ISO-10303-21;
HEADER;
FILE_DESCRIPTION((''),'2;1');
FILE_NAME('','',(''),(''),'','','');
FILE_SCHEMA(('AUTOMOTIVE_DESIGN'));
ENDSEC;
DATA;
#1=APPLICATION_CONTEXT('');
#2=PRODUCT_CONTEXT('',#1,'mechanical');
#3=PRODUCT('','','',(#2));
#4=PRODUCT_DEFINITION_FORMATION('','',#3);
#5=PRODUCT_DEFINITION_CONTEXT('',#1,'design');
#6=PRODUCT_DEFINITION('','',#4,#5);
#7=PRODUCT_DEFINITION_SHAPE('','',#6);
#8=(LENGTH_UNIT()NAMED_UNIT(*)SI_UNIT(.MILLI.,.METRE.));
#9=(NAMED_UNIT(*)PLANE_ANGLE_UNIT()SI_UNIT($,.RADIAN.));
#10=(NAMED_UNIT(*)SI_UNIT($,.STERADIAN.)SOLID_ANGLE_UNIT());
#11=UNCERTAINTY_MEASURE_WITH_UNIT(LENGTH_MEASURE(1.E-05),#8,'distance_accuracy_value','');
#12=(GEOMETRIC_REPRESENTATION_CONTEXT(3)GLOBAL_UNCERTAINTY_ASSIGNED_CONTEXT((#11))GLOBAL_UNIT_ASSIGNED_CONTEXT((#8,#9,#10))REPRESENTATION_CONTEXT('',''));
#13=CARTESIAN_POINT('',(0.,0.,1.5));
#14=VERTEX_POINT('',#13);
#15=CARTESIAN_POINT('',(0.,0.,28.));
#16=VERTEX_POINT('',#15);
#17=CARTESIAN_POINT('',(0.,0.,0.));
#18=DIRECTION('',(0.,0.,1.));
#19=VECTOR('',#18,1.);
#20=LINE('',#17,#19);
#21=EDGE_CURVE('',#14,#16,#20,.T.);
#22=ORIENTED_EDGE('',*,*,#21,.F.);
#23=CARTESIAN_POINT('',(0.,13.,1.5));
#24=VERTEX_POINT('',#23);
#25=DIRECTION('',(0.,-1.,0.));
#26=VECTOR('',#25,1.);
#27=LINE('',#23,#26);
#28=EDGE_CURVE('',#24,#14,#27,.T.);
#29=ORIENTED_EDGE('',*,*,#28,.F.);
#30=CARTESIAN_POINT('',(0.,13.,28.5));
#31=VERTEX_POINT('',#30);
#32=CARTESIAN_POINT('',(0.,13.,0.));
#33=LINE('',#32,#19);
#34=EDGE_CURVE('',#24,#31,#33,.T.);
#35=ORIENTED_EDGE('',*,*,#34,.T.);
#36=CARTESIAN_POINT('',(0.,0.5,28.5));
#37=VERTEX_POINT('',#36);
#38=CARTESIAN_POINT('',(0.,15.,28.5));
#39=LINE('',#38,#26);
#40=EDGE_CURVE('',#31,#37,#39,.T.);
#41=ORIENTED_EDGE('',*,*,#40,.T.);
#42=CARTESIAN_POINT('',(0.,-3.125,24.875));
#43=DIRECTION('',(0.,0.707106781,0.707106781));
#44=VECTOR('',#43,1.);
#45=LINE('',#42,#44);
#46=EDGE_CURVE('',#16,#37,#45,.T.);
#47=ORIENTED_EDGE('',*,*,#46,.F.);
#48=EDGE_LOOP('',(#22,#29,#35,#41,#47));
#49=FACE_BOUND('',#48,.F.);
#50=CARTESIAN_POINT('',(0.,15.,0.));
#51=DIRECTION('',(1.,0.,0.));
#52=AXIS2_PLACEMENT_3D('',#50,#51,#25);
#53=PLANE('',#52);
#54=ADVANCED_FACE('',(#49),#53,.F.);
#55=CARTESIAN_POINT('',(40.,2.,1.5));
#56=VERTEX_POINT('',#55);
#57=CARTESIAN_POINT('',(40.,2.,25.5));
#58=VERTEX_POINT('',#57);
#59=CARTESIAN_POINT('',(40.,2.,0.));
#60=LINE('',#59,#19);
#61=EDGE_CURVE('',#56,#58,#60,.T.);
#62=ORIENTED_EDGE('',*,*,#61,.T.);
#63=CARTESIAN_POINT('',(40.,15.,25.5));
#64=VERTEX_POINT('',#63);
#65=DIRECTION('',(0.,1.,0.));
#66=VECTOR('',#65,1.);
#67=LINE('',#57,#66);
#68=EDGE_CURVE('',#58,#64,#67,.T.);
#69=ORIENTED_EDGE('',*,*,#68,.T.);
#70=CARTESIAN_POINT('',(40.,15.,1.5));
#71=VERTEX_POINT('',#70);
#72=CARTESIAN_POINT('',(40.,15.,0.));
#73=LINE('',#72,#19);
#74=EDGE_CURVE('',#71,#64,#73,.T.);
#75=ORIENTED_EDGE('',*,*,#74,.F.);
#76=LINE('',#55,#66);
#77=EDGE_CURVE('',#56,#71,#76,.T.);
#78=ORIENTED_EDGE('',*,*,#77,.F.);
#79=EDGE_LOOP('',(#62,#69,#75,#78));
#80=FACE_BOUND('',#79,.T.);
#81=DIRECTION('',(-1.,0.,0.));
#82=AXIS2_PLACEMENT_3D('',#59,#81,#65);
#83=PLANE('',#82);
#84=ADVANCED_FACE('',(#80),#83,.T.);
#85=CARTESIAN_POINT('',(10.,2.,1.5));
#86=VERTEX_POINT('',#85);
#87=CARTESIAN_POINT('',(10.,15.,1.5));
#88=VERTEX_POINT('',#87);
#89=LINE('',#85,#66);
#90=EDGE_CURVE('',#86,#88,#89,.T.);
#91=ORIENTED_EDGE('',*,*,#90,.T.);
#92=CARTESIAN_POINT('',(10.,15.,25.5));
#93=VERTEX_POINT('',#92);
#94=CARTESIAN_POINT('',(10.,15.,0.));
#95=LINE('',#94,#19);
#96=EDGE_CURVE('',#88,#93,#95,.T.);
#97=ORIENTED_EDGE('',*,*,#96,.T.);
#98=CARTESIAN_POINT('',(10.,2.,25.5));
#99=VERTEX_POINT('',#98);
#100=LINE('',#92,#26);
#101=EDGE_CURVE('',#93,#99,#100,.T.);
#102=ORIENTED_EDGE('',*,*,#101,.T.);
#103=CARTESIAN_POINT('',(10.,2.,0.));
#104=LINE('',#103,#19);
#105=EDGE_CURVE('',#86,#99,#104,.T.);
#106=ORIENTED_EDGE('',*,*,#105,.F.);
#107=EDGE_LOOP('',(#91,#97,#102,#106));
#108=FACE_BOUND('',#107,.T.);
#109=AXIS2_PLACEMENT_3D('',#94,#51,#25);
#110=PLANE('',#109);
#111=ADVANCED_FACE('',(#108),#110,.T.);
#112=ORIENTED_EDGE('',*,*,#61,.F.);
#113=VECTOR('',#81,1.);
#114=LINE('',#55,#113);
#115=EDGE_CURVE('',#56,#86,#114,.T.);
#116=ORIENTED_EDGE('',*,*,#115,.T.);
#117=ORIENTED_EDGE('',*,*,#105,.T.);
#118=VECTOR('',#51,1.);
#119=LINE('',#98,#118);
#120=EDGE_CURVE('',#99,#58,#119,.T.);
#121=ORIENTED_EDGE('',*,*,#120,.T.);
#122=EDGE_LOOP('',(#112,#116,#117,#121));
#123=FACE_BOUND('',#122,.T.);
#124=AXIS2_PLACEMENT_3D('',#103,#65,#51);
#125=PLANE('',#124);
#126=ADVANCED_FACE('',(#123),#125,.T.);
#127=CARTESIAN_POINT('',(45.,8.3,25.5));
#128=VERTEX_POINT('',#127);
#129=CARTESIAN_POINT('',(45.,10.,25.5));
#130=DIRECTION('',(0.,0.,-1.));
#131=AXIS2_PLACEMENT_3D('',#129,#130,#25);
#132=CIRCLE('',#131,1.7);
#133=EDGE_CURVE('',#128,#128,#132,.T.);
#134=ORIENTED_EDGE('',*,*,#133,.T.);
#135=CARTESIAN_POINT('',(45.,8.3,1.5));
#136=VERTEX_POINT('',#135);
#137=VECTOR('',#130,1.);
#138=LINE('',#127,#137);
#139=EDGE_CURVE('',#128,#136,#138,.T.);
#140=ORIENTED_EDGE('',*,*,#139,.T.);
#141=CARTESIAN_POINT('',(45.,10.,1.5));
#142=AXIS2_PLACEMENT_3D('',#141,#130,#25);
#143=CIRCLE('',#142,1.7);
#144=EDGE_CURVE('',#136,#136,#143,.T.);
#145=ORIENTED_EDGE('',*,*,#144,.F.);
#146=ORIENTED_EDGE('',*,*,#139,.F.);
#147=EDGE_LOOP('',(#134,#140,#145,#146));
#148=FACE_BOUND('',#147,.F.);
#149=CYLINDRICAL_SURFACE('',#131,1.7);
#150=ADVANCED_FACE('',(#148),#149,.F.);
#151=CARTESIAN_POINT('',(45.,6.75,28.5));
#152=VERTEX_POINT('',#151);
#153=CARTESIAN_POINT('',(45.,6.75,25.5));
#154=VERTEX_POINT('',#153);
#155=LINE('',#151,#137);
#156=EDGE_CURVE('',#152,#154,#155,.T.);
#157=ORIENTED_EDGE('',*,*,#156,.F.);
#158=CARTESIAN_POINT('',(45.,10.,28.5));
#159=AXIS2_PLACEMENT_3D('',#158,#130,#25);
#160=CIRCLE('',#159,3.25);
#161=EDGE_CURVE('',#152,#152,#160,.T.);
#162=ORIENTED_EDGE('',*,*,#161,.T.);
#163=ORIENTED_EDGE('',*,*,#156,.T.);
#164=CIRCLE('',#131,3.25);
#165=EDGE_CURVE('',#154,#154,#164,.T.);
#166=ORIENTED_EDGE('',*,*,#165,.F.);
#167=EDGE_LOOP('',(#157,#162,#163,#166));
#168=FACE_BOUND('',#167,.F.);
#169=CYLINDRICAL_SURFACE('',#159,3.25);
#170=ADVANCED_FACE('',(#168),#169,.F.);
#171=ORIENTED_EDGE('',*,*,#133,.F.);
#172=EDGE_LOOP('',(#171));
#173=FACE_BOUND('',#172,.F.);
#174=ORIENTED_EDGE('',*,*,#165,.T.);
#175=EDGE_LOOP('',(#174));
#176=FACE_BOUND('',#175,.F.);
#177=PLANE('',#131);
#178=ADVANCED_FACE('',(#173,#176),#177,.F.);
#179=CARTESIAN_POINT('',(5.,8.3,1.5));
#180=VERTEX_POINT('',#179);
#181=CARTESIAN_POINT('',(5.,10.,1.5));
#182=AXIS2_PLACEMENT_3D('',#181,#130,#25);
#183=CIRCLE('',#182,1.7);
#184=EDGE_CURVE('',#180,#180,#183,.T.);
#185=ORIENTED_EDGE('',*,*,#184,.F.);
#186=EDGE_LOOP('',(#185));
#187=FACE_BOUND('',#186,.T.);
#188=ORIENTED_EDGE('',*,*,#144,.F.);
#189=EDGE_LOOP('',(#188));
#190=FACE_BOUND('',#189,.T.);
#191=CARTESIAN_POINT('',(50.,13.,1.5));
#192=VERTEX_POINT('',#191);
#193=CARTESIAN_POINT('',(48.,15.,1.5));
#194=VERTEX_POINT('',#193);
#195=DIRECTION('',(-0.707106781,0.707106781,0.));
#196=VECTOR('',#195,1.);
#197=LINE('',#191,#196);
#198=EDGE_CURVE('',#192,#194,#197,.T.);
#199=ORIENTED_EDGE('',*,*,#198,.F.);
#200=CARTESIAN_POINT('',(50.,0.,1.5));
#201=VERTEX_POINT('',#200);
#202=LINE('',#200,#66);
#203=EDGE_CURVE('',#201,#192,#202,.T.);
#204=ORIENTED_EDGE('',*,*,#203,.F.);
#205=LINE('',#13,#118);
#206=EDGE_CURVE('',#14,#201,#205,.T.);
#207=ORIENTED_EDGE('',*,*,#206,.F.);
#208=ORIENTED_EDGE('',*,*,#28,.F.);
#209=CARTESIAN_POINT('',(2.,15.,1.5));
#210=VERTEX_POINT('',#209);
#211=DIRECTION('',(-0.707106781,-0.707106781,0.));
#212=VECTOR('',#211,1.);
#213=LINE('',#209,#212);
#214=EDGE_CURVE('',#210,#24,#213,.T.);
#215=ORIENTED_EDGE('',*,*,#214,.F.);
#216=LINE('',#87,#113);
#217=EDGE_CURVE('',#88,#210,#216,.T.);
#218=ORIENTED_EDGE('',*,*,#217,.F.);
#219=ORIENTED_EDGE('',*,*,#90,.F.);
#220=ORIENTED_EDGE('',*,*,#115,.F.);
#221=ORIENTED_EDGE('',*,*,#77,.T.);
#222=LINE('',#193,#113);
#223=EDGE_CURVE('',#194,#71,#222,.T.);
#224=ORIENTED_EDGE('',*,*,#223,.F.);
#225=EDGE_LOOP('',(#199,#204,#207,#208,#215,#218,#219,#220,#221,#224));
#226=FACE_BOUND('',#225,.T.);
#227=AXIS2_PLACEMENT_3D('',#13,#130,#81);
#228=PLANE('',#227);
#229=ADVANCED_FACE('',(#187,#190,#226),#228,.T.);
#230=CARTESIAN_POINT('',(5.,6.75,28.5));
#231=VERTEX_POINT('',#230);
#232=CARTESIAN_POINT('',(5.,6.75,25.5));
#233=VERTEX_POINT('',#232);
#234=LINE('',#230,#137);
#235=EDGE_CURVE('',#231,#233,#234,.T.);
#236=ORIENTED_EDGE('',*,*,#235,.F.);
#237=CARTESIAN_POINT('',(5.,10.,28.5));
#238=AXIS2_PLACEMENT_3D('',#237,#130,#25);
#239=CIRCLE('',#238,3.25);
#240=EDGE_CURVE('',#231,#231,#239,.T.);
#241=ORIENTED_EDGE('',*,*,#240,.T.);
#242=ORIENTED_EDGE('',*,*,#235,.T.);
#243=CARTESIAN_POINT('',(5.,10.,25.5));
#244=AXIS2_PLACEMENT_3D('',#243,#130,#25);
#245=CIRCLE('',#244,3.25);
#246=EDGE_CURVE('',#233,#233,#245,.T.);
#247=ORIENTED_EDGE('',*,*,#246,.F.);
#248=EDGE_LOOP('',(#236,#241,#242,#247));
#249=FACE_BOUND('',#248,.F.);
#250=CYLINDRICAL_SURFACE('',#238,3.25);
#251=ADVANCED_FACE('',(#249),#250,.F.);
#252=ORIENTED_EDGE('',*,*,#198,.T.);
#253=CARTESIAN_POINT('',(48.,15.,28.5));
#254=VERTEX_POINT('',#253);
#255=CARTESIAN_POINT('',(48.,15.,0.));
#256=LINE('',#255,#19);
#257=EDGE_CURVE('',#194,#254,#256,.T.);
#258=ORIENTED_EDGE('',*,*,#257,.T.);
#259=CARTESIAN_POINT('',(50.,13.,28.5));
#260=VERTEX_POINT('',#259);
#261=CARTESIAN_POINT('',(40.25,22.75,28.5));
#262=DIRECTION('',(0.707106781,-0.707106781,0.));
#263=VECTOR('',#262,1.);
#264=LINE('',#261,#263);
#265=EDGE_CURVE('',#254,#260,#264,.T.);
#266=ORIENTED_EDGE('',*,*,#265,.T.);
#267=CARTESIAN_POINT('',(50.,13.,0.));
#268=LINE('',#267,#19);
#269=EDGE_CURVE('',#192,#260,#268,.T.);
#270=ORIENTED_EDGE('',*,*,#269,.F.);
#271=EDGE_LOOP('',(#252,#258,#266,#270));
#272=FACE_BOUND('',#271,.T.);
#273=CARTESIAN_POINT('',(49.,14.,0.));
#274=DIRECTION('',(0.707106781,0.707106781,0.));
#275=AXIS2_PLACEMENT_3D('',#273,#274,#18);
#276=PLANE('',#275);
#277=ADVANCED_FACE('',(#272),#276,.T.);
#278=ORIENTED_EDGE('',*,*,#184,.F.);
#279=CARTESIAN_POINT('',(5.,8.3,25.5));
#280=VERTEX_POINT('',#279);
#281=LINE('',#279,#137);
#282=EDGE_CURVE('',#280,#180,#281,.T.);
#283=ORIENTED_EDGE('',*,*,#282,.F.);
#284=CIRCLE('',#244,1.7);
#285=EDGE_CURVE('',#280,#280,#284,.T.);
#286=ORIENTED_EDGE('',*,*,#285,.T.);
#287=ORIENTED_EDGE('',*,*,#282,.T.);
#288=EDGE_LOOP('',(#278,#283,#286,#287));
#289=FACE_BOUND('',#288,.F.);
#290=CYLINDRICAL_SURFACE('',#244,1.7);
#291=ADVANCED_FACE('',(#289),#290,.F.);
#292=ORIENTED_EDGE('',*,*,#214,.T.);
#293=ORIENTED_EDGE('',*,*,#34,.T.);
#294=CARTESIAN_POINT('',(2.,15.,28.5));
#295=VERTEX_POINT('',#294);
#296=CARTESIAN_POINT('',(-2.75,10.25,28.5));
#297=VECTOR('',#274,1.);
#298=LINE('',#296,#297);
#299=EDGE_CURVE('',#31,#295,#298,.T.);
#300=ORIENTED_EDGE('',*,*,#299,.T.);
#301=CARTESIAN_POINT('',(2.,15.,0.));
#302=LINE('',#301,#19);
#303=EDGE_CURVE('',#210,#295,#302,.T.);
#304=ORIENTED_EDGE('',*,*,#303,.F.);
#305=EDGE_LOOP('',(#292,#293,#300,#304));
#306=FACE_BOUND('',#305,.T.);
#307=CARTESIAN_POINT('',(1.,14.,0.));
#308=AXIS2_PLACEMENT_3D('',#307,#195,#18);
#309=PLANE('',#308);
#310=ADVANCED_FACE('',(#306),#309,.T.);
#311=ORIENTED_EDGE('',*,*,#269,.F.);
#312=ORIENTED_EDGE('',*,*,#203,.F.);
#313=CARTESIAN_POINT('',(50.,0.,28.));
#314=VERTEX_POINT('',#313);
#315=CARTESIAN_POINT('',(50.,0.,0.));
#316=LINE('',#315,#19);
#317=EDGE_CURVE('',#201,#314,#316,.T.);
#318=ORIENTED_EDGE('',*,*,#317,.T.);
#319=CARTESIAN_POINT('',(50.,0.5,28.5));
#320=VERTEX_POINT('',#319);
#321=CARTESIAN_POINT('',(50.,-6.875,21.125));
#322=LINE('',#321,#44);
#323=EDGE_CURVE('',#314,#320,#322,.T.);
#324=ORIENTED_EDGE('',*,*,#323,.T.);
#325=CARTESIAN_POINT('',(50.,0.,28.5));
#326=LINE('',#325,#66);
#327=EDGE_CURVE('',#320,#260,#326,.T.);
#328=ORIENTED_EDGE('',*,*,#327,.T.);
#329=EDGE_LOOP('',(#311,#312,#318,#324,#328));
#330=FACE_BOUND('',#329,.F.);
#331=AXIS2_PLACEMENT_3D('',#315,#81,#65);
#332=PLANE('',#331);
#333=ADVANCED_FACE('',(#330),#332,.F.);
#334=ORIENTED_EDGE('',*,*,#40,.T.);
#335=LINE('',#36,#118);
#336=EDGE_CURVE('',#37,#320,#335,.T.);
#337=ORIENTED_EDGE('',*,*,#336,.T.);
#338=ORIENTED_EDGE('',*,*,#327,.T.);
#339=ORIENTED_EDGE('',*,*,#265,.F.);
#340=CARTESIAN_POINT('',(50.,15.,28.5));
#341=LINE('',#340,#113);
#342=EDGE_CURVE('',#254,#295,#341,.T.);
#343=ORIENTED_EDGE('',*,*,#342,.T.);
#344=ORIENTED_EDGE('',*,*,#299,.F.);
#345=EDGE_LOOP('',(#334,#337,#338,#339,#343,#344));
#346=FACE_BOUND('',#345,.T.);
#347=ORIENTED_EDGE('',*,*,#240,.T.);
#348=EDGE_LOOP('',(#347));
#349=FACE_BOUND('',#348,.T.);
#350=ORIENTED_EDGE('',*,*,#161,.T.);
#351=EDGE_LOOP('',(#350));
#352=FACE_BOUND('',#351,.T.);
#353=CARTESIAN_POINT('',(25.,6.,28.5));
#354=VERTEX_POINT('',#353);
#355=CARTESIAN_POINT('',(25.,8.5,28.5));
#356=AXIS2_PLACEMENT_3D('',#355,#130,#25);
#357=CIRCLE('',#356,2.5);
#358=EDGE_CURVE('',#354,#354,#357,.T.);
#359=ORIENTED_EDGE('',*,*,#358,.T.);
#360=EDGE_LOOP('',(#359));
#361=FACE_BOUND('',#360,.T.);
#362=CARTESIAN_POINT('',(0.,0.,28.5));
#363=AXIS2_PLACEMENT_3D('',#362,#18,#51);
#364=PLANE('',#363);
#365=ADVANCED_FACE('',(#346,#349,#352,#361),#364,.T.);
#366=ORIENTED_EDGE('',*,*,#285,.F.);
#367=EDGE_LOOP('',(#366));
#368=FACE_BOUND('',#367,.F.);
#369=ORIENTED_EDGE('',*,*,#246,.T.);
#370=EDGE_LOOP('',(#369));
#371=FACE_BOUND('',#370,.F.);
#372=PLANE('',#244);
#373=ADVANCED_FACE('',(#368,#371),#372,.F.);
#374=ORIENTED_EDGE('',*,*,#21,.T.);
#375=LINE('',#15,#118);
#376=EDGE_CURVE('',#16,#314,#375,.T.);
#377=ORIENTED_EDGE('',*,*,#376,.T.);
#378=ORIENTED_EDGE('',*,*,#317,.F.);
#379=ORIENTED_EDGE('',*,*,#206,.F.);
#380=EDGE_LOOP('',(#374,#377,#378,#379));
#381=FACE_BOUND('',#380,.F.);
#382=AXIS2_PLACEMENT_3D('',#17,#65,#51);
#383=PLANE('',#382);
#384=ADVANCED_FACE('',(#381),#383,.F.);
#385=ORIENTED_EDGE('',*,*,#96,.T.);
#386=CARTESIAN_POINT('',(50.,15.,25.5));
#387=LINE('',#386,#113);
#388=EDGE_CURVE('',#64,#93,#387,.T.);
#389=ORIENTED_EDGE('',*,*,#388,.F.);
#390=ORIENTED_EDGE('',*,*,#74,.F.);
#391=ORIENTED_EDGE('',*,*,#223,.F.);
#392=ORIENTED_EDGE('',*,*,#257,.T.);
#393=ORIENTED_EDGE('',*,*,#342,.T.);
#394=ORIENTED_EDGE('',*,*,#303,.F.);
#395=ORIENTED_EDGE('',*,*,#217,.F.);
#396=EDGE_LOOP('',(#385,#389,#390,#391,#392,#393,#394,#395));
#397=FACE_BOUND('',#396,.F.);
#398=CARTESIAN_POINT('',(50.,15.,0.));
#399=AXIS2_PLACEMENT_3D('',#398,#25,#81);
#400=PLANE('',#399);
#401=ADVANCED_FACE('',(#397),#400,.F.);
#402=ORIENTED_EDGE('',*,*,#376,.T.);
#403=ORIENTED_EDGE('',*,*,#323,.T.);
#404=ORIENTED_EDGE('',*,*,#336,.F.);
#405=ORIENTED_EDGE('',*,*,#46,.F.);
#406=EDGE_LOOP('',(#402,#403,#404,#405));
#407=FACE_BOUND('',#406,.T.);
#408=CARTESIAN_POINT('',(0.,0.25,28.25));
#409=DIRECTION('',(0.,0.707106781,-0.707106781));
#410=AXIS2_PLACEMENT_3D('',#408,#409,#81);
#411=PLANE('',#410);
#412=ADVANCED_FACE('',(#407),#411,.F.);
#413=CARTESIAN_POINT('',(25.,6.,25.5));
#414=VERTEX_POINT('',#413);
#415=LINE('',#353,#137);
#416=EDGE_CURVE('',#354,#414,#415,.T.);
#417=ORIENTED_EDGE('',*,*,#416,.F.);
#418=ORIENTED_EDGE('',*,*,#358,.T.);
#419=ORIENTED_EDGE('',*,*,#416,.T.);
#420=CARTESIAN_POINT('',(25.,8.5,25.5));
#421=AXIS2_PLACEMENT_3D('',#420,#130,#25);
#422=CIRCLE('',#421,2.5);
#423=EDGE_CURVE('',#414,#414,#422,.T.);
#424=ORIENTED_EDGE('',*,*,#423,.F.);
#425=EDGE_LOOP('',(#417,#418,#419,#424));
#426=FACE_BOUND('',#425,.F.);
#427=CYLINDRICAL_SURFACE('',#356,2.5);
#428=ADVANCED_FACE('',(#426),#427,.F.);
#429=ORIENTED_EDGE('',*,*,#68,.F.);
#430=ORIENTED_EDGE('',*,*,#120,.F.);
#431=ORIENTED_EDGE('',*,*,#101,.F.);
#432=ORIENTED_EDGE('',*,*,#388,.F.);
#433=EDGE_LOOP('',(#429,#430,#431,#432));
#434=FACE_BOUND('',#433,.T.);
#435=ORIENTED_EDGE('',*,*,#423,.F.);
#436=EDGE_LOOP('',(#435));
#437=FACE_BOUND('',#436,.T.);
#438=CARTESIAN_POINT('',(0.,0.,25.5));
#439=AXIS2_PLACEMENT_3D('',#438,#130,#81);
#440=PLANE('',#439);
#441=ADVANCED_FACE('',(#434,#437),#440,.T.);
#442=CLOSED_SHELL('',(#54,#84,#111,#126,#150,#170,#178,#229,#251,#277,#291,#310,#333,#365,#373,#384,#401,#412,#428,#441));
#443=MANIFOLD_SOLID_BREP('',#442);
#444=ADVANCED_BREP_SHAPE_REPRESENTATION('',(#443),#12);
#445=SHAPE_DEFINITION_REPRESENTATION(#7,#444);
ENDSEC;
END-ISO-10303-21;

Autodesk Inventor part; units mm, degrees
ref_plane "YZ Plane" through (0, 0, 0) normal (1, 0, 0) x (0, 1, 0)
ref_plane "XZ Plane" through (0, 0, 0) normal (0, 1, 0) x (-1, 0, 0)
ref_plane "XY Plane" through (0, 0, 0) normal (0, 0, 1) x (1, 0, 0)
sketch "Skizze1" plane through (0, 0, 0) normal (0, 0, 1) x (1, 0, 0)
  line L0 (0, 0) -> (50, 0)
  line L1 (50, 0) -> (50, 15)
  line L2 (50, 15) -> (0, 15)
  line L3 (0, 15) -> (0, 0)
  dimension "d0" = 15
  dimension "d1" = 50
extrude "Extrusion1" add sketch "Skizze1" along normal blind 28.5
hole "Bohrung1" at (45, 10, 28.5) direction (0, 0, -1) diameter 3.4 end through all counterbore diameter 6.5 counterbore depth 3 clearance for "Inbusschraube DIN EN ISO 4762" size "M3" standard "DIN"
hole "Bohrung2" at (5, 10, 28.5) direction (0, 0, -1) diameter 3.4 end through all counterbore diameter 6.5 counterbore depth 3 clearance for "Inbusschraube DIN EN ISO 4762" size "M3" standard "DIN"
chamfer "Fase1" distance 0.5 angle 45 1 edges at (25, 0, 28.5)
sketch "Skizze2" plane through (0, 0, 0) normal (0, 0, -1) x (-1, 0, 0)
  line L0 (0, 15) -> (0, 0) projected
  line L1 (-50, 15) -> (0, 15) projected
  line L2 (-50, 0) -> (-50, 15) projected
  line L3 (-40, 15) -> (-10, 15)
  line L4 (-10, 15) -> (-10, 2)
  line L5 (-10, 2) -> (-40, 2)
  line L6 (-40, 2) -> (-40, 15)
  line L7 (0, 0) -> (-50, 0) projected
  dimension "d25" = 10
  dimension "d26" = 10
  dimension "d44" = 2
extrude "Extrusion2" cut sketch "Skizze2" against normal blind 25.5 contours L4 L5 L6 L1
hole "Bohrung3" at (25, 8.5, 28.5) direction (0, 0, -1) diameter 5 end through all
chamfer "Fase2" distance 2 angle 45 2 edges at (50, 15, 14.25) (0, 15, 14.25)
sketch "Skizze4" plane through (0, 0, 0) normal (0, 0, -1) x (-1, 0, 0)
  line L0 (-50, 0) -> (-50, 13)
  line L1 (-50, 0) -> (-50, 13) projected
  line L2 (-50, 13) -> (-48, 15)
  line L3 (-48, 15) -> (-50, 13) projected
  line L4 (-48, 15) -> (-40, 15)
  line L5 (-48, 15) -> (-40, 15) projected
  line L6 (-40, 15) -> (-40, 3)
  line L7 (-40, 2) -> (-40, 15) projected
  line L8 (-40, 2) -> (-10, 2)
  line L9 (-10, 2) -> (-40, 2) projected
  line L10 (-10, 2) -> (-10, 15)
  line L11 (-10, 15) -> (-10, 2) projected
  line L12 (-10, 15) -> (-2, 15)
  line L13 (-2, 15) -> (0, 13)
  line L14 (0, 13) -> (-2, 15) projected
  line L15 (0, 13) -> (0, 0)
  line L16 (0, 0) -> (-50, 0)
  line L17 (0, 0) -> (-50, 0) projected
extrude "Extrusion4" cut sketch "Skizze4" against normal blind 1.5
properties part number "Peripherie2_Motor2_liegend"
